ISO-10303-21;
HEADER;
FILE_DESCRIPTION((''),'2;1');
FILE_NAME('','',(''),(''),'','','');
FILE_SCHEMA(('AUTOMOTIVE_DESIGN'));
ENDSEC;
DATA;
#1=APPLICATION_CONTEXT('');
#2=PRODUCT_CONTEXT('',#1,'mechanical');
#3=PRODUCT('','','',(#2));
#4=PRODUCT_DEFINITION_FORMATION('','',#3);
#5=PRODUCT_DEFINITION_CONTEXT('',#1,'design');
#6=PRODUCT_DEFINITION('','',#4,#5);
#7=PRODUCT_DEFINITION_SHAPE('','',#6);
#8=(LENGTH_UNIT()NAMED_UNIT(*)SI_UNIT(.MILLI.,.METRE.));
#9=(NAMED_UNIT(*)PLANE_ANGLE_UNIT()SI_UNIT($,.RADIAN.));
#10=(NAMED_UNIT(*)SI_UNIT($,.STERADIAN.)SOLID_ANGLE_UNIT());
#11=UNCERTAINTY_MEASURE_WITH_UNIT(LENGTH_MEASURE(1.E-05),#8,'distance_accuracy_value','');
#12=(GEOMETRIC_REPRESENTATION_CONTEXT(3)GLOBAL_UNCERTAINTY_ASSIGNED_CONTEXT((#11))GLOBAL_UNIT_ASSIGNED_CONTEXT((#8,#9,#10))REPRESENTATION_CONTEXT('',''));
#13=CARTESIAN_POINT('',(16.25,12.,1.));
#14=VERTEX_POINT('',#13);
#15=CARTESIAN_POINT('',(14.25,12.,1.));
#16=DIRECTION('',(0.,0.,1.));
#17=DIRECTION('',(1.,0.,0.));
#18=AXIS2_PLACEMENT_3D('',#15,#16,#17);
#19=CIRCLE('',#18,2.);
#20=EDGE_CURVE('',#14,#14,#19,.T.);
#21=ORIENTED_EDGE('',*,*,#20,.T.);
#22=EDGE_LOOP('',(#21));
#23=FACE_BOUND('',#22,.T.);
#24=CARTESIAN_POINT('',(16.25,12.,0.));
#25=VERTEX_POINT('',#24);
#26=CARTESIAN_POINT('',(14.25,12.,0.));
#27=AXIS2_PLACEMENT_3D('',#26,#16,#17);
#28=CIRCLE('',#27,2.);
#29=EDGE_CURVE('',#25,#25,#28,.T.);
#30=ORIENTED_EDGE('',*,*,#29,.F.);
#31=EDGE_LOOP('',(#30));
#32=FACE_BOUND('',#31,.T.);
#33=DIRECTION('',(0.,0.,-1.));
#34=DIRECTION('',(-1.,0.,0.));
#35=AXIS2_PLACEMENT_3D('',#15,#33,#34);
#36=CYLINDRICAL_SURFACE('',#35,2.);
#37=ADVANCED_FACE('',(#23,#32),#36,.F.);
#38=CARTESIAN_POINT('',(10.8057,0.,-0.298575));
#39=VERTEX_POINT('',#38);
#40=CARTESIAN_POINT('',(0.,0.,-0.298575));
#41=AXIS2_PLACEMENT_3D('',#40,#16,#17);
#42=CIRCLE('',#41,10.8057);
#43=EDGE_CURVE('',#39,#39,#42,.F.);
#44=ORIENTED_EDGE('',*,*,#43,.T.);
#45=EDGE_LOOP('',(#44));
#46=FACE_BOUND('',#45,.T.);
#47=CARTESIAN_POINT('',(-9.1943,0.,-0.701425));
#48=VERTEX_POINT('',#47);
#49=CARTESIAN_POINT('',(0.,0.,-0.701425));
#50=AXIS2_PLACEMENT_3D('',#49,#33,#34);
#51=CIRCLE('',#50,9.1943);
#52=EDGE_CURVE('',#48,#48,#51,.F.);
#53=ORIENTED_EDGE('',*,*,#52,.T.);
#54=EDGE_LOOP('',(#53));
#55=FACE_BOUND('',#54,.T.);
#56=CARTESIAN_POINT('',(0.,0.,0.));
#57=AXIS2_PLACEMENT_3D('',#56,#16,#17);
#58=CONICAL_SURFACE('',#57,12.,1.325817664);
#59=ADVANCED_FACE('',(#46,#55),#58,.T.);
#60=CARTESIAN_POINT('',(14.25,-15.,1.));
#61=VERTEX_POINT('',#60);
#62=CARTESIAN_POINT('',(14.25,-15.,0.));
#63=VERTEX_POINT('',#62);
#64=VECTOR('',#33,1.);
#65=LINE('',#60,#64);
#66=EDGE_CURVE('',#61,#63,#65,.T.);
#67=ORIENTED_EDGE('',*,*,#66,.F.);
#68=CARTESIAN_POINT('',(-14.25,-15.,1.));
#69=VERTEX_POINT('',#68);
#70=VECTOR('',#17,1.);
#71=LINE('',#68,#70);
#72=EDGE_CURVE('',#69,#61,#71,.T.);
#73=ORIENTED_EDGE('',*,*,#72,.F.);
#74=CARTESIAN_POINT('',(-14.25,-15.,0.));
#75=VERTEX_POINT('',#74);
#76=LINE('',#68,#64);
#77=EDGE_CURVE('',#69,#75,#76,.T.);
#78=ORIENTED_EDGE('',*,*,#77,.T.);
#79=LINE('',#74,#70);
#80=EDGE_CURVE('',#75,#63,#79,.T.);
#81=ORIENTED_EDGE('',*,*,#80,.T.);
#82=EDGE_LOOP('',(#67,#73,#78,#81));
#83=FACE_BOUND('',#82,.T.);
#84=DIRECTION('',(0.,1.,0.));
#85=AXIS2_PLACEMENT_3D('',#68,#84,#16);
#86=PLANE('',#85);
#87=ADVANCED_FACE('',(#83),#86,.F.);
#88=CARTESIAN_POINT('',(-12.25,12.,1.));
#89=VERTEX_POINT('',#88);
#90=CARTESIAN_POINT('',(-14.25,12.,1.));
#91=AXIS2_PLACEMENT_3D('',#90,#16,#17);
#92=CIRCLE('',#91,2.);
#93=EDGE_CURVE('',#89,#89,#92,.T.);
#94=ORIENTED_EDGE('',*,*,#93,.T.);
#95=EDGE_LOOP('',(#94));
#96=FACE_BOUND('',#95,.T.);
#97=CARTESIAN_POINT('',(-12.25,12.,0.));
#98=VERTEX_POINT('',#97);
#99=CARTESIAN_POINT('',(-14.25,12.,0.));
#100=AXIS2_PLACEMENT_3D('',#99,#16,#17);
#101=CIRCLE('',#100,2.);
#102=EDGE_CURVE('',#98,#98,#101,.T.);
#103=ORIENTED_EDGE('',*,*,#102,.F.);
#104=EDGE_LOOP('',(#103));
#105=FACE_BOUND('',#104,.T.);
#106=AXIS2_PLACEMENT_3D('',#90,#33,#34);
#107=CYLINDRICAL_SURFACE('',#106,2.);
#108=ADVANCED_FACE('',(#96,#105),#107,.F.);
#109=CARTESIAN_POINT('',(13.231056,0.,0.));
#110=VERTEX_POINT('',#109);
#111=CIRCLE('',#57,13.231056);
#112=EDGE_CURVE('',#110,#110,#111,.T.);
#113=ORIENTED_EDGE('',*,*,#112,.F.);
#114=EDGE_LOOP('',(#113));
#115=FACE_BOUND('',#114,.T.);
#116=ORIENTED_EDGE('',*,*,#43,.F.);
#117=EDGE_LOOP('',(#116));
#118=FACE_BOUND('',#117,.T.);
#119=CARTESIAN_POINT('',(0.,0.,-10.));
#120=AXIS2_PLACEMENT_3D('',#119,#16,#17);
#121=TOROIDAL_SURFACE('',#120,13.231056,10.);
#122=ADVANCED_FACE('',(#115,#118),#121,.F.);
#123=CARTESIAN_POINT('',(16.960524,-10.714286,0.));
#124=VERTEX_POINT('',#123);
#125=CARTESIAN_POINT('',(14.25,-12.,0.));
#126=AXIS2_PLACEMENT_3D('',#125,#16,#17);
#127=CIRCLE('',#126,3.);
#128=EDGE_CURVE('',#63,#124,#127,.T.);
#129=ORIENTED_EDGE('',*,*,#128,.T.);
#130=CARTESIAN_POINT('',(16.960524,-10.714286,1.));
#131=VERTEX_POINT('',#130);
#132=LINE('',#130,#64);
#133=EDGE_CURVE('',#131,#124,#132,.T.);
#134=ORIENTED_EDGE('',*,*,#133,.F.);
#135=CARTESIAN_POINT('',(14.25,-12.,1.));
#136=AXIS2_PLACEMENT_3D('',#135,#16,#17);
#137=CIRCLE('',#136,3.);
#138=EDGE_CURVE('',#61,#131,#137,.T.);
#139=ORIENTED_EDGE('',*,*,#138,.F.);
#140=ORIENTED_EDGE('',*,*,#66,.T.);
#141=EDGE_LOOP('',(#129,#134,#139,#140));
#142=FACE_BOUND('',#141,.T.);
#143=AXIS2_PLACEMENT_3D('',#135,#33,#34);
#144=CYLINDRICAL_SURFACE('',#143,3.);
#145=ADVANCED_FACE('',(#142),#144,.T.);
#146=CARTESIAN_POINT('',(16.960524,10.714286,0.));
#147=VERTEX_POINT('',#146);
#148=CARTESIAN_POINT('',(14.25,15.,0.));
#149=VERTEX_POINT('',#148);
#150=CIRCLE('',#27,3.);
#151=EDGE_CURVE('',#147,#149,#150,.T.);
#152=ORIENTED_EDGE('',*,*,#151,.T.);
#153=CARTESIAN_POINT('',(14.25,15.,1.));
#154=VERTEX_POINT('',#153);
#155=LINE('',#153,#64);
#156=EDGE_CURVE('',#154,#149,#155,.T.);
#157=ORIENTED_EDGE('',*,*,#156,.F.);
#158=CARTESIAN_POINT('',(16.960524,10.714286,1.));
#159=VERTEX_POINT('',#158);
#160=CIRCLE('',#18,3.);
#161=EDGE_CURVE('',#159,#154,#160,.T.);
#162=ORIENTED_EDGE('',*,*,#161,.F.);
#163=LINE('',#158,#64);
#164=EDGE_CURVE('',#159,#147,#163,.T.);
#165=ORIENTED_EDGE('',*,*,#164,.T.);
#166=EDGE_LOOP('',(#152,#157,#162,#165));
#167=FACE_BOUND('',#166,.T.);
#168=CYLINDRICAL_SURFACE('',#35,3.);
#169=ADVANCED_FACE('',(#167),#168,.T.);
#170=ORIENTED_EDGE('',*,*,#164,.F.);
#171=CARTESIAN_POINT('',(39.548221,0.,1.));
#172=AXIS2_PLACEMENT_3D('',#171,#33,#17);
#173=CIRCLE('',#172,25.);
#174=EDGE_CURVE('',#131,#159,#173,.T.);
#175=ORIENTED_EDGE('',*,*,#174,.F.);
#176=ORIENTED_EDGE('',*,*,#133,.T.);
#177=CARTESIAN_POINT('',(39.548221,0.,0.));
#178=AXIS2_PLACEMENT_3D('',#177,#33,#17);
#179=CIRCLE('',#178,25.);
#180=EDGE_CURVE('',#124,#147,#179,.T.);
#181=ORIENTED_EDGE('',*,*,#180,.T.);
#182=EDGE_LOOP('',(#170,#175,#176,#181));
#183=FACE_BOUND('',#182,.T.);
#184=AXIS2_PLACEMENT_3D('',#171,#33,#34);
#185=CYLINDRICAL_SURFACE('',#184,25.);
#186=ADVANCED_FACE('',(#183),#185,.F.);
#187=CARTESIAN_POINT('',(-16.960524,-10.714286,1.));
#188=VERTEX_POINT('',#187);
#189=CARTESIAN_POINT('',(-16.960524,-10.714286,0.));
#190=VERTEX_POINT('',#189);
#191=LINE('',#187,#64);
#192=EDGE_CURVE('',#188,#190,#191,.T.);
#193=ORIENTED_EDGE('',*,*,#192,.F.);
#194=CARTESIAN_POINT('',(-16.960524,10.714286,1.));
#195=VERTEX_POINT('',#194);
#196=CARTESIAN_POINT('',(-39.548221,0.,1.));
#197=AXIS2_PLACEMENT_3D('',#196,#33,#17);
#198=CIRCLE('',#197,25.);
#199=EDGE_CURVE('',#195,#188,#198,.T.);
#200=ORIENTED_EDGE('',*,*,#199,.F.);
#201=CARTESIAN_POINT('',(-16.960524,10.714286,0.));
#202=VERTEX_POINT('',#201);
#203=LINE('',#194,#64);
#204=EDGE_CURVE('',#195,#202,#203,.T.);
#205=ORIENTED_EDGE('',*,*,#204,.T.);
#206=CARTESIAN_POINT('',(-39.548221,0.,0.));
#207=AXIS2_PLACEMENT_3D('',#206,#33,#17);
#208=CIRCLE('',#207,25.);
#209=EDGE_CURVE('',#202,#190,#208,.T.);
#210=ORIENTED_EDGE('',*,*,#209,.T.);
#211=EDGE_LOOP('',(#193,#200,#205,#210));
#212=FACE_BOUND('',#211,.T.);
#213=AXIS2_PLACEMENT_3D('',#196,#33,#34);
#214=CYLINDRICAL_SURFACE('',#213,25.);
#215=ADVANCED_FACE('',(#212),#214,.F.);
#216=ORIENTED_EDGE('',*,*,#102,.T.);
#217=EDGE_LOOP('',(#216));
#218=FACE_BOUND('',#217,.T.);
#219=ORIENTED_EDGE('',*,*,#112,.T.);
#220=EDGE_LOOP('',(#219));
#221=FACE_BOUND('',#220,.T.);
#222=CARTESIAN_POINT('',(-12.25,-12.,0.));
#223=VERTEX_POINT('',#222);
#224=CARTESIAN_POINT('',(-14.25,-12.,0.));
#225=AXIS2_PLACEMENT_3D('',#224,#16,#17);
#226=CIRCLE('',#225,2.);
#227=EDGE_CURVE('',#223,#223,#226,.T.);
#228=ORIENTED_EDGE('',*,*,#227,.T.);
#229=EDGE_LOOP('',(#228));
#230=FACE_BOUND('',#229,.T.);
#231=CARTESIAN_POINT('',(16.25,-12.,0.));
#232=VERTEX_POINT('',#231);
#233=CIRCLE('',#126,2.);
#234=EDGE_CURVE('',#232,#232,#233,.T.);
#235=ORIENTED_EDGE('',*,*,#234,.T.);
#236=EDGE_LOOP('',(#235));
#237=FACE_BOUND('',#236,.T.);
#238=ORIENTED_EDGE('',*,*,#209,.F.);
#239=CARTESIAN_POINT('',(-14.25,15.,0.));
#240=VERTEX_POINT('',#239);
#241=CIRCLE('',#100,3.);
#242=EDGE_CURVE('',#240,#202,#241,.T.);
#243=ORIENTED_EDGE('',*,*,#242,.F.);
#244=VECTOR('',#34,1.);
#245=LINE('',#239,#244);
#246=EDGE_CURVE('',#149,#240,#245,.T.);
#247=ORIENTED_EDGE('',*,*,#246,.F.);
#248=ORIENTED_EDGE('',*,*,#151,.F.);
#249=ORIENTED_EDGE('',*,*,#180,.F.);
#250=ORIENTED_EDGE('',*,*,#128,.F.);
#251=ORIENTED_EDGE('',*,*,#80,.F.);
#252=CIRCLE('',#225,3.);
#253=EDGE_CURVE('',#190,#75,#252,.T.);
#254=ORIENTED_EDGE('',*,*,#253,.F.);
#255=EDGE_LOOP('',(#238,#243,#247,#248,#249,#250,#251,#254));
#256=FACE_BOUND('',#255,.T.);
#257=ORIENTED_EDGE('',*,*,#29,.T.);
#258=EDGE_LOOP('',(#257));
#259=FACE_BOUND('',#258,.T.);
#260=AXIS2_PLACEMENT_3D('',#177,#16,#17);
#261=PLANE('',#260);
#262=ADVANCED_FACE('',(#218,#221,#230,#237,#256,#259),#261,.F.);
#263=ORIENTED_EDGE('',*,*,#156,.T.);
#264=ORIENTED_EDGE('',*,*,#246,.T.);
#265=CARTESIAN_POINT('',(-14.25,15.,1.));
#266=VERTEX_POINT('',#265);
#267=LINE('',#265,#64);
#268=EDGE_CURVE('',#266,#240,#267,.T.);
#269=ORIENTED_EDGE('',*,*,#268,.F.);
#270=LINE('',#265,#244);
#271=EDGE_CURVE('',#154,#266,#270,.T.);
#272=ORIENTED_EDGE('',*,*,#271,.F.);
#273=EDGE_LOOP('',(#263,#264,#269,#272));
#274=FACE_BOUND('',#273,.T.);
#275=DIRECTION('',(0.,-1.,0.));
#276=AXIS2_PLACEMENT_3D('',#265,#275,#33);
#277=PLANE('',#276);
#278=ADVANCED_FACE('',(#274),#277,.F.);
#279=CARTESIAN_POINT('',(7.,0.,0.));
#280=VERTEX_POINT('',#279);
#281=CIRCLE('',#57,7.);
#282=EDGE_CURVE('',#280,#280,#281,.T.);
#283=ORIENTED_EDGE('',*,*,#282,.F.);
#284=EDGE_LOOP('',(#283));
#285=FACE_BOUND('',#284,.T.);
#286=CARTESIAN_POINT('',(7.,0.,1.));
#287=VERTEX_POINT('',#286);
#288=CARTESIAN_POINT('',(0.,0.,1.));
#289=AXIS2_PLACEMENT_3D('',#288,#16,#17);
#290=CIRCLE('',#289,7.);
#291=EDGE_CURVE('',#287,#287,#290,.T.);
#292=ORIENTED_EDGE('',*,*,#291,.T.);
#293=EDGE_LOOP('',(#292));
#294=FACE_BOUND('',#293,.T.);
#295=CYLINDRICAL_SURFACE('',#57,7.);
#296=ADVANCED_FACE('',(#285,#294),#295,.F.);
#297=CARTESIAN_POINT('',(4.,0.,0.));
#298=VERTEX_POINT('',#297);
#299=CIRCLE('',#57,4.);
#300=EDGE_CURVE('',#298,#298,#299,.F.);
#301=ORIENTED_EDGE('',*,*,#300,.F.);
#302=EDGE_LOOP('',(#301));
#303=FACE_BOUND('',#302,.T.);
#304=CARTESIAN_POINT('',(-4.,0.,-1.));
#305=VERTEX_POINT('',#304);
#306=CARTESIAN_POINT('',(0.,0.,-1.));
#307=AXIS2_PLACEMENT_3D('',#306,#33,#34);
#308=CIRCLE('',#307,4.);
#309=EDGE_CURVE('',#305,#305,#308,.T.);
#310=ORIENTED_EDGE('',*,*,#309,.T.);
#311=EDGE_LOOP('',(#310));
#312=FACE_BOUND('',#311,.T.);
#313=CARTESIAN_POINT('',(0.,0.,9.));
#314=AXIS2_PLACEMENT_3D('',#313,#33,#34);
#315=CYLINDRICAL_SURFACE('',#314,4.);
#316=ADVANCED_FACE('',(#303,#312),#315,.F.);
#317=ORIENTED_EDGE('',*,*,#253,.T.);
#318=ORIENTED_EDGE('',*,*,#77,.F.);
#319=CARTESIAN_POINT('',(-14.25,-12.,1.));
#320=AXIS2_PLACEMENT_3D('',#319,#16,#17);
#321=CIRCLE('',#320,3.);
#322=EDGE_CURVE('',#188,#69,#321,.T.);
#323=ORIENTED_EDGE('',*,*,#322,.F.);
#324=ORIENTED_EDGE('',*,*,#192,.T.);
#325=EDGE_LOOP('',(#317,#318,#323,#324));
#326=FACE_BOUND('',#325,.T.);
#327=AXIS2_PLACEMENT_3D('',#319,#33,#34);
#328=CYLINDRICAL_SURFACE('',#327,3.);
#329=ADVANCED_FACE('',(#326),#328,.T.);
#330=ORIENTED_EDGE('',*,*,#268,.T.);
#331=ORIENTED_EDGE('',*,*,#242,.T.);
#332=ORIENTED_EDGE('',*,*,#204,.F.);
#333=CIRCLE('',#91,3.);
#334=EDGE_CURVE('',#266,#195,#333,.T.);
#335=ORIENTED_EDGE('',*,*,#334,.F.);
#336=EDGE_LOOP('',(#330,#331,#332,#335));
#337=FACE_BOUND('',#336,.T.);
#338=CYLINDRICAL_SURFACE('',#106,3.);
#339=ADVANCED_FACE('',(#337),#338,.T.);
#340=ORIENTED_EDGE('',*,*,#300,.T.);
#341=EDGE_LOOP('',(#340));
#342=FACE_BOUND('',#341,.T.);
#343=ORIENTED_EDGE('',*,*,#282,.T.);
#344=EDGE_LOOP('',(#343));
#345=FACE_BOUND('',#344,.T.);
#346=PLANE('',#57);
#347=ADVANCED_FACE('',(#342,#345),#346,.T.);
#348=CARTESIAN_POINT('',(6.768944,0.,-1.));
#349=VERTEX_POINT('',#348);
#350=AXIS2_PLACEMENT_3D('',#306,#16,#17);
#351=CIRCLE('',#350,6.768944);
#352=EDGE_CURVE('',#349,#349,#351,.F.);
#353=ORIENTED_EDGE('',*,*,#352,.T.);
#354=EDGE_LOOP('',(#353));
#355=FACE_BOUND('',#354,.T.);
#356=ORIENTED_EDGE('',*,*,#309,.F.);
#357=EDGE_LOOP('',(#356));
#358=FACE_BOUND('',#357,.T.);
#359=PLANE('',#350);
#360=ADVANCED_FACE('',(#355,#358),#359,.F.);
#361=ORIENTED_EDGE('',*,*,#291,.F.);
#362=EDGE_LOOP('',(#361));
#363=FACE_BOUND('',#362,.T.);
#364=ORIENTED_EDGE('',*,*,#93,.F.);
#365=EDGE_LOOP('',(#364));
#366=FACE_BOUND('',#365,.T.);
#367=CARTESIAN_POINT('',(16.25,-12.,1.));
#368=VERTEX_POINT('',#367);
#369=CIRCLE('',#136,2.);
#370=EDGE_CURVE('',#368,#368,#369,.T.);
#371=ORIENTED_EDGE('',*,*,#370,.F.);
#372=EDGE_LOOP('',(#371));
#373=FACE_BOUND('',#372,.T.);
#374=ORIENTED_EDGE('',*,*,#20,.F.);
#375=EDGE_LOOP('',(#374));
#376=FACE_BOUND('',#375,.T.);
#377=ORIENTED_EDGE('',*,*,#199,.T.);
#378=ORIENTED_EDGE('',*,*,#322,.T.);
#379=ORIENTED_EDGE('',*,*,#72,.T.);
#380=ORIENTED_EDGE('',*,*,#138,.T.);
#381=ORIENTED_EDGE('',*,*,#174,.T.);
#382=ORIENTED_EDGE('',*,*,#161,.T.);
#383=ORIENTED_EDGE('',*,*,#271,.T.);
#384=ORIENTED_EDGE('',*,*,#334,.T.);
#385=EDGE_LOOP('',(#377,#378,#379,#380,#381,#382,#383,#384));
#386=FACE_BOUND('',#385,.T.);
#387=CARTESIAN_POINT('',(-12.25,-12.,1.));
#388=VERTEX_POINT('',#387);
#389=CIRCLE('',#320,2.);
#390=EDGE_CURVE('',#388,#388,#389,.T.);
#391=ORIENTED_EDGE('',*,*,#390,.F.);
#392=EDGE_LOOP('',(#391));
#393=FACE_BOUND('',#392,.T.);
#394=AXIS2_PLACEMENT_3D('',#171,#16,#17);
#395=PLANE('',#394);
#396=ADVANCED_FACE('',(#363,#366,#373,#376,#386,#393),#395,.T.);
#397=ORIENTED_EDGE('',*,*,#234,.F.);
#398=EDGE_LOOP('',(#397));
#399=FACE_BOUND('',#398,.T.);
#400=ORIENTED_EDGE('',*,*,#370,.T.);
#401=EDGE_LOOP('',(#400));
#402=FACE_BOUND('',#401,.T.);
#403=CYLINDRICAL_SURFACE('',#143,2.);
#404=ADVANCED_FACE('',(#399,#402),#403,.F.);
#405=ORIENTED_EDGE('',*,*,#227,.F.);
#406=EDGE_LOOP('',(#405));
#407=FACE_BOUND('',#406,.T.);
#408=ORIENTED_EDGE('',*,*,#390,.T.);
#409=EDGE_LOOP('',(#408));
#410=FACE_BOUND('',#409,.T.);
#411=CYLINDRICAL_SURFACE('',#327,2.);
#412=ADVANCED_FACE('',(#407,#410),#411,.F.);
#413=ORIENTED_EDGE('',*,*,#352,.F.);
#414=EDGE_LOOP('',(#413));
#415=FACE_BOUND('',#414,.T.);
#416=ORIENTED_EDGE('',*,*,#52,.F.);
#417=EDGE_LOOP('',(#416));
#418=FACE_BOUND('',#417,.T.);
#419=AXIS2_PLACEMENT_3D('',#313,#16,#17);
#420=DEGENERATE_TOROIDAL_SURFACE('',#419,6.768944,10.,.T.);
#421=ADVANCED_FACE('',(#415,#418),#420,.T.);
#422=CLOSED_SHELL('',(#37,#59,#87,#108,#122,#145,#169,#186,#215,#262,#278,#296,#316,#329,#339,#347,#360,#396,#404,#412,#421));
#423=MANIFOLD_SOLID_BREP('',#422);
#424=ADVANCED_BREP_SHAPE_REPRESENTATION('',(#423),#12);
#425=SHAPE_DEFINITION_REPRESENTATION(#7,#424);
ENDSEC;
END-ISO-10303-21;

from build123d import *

# Parameters (mm, degrees)
SKETCH_2_R          = 2
EXTRUDE_1_DEPTH     = 1
FILLET_1_R          = 10
FILLET_2_R          = 10
SKETCH_4_R          = 4
CUT_EXTRUDE_1_DEPTH = 10
SKETCH_5_R          = 7
CUT_EXTRUDE_2_DEPTH = 1


with BuildPart() as part:
    # 草图2 → 凸台-拉伸1 (new body)
    with BuildSketch(Plane.XY):
        with BuildLine():
            Line((-14.25, 15), (14.25, 15))
            ThreePointArc((14.25, 15), (16.785462764, 13.603567451), (16.960523709, 10.714285714))
            ThreePointArc((16.960523709, 10.714285714), (14.548221281, 0), (16.960523709, -10.714285714))
            ThreePointArc((16.960523709, -10.714285714), (16.785462764, -13.603567451), (14.25, -15))
            Line((14.25, -15), (-14.25, -15))
            ThreePointArc((-14.25, -15), (-16.785462764, -13.603567451), (-16.960523709, -10.714285714))
            ThreePointArc((-16.960523709, -10.714285714), (-14.548221281, 0), (-16.960523709, 10.714285714))
            ThreePointArc((-16.960523709, 10.714285714), (-16.785462764, 13.603567451), (-14.25, 15))
        make_face()
        with Locations((14.25, 12)):
            Circle(SKETCH_2_R, mode=Mode.SUBTRACT)
        with Locations((-14.25, 12)):
            Circle(SKETCH_2_R, mode=Mode.SUBTRACT)
        with Locations((-14.25, -12)):
            Circle(SKETCH_2_R, mode=Mode.SUBTRACT)
        with Locations((14.25, -12)):
            Circle(SKETCH_2_R, mode=Mode.SUBTRACT)
    extrude(amount=EXTRUDE_1_DEPTH)

    # 草图3 → 旋转1 (revolve)
    with BuildSketch(Plane(origin=(0, 0, 0), x_dir=(1, 0, 0), z_dir=(0, 1, 0)), mode=Mode.PRIVATE) as revolve_1_sk:
        Polygon((0, 1), (8, 1), (12, 0), (0, 0), align=None)
    revolve(revolve_1_sk.sketch.rotate(Axis((0, 0, 0), (0, 0, 1)), 180), axis=Axis((0, 0, 0), (0, 0, 1)))

    # 圆角1
    fillet_1_edges = [part.edges().sort_by_distance(p)[0] for p in [
        (12, 0, 0),
    ]]
    fillet(fillet_1_edges, radius=FILLET_1_R)

    # 圆角2
    fillet_2_edges = [part.edges().sort_by_distance(p)[0] for p in [
        (8, 0, -1),
    ]]
    fillet(fillet_2_edges, radius=FILLET_2_R)

    # 草图4 → 切除-拉伸1 (cut)
    with BuildSketch(Plane(origin=(0, 0, -1), x_dir=(-1, 0, 0), z_dir=(0, 0, -1))):
        Circle(SKETCH_4_R)
    extrude(amount=-CUT_EXTRUDE_1_DEPTH, mode=Mode.SUBTRACT)

    # 草图5 → 切除-拉伸2 (cut)
    with BuildSketch(Plane.XY.offset(1)):
        Circle(SKETCH_5_R)
    extrude(amount=-CUT_EXTRUDE_2_DEPTH, mode=Mode.SUBTRACT)


solid = part.part
